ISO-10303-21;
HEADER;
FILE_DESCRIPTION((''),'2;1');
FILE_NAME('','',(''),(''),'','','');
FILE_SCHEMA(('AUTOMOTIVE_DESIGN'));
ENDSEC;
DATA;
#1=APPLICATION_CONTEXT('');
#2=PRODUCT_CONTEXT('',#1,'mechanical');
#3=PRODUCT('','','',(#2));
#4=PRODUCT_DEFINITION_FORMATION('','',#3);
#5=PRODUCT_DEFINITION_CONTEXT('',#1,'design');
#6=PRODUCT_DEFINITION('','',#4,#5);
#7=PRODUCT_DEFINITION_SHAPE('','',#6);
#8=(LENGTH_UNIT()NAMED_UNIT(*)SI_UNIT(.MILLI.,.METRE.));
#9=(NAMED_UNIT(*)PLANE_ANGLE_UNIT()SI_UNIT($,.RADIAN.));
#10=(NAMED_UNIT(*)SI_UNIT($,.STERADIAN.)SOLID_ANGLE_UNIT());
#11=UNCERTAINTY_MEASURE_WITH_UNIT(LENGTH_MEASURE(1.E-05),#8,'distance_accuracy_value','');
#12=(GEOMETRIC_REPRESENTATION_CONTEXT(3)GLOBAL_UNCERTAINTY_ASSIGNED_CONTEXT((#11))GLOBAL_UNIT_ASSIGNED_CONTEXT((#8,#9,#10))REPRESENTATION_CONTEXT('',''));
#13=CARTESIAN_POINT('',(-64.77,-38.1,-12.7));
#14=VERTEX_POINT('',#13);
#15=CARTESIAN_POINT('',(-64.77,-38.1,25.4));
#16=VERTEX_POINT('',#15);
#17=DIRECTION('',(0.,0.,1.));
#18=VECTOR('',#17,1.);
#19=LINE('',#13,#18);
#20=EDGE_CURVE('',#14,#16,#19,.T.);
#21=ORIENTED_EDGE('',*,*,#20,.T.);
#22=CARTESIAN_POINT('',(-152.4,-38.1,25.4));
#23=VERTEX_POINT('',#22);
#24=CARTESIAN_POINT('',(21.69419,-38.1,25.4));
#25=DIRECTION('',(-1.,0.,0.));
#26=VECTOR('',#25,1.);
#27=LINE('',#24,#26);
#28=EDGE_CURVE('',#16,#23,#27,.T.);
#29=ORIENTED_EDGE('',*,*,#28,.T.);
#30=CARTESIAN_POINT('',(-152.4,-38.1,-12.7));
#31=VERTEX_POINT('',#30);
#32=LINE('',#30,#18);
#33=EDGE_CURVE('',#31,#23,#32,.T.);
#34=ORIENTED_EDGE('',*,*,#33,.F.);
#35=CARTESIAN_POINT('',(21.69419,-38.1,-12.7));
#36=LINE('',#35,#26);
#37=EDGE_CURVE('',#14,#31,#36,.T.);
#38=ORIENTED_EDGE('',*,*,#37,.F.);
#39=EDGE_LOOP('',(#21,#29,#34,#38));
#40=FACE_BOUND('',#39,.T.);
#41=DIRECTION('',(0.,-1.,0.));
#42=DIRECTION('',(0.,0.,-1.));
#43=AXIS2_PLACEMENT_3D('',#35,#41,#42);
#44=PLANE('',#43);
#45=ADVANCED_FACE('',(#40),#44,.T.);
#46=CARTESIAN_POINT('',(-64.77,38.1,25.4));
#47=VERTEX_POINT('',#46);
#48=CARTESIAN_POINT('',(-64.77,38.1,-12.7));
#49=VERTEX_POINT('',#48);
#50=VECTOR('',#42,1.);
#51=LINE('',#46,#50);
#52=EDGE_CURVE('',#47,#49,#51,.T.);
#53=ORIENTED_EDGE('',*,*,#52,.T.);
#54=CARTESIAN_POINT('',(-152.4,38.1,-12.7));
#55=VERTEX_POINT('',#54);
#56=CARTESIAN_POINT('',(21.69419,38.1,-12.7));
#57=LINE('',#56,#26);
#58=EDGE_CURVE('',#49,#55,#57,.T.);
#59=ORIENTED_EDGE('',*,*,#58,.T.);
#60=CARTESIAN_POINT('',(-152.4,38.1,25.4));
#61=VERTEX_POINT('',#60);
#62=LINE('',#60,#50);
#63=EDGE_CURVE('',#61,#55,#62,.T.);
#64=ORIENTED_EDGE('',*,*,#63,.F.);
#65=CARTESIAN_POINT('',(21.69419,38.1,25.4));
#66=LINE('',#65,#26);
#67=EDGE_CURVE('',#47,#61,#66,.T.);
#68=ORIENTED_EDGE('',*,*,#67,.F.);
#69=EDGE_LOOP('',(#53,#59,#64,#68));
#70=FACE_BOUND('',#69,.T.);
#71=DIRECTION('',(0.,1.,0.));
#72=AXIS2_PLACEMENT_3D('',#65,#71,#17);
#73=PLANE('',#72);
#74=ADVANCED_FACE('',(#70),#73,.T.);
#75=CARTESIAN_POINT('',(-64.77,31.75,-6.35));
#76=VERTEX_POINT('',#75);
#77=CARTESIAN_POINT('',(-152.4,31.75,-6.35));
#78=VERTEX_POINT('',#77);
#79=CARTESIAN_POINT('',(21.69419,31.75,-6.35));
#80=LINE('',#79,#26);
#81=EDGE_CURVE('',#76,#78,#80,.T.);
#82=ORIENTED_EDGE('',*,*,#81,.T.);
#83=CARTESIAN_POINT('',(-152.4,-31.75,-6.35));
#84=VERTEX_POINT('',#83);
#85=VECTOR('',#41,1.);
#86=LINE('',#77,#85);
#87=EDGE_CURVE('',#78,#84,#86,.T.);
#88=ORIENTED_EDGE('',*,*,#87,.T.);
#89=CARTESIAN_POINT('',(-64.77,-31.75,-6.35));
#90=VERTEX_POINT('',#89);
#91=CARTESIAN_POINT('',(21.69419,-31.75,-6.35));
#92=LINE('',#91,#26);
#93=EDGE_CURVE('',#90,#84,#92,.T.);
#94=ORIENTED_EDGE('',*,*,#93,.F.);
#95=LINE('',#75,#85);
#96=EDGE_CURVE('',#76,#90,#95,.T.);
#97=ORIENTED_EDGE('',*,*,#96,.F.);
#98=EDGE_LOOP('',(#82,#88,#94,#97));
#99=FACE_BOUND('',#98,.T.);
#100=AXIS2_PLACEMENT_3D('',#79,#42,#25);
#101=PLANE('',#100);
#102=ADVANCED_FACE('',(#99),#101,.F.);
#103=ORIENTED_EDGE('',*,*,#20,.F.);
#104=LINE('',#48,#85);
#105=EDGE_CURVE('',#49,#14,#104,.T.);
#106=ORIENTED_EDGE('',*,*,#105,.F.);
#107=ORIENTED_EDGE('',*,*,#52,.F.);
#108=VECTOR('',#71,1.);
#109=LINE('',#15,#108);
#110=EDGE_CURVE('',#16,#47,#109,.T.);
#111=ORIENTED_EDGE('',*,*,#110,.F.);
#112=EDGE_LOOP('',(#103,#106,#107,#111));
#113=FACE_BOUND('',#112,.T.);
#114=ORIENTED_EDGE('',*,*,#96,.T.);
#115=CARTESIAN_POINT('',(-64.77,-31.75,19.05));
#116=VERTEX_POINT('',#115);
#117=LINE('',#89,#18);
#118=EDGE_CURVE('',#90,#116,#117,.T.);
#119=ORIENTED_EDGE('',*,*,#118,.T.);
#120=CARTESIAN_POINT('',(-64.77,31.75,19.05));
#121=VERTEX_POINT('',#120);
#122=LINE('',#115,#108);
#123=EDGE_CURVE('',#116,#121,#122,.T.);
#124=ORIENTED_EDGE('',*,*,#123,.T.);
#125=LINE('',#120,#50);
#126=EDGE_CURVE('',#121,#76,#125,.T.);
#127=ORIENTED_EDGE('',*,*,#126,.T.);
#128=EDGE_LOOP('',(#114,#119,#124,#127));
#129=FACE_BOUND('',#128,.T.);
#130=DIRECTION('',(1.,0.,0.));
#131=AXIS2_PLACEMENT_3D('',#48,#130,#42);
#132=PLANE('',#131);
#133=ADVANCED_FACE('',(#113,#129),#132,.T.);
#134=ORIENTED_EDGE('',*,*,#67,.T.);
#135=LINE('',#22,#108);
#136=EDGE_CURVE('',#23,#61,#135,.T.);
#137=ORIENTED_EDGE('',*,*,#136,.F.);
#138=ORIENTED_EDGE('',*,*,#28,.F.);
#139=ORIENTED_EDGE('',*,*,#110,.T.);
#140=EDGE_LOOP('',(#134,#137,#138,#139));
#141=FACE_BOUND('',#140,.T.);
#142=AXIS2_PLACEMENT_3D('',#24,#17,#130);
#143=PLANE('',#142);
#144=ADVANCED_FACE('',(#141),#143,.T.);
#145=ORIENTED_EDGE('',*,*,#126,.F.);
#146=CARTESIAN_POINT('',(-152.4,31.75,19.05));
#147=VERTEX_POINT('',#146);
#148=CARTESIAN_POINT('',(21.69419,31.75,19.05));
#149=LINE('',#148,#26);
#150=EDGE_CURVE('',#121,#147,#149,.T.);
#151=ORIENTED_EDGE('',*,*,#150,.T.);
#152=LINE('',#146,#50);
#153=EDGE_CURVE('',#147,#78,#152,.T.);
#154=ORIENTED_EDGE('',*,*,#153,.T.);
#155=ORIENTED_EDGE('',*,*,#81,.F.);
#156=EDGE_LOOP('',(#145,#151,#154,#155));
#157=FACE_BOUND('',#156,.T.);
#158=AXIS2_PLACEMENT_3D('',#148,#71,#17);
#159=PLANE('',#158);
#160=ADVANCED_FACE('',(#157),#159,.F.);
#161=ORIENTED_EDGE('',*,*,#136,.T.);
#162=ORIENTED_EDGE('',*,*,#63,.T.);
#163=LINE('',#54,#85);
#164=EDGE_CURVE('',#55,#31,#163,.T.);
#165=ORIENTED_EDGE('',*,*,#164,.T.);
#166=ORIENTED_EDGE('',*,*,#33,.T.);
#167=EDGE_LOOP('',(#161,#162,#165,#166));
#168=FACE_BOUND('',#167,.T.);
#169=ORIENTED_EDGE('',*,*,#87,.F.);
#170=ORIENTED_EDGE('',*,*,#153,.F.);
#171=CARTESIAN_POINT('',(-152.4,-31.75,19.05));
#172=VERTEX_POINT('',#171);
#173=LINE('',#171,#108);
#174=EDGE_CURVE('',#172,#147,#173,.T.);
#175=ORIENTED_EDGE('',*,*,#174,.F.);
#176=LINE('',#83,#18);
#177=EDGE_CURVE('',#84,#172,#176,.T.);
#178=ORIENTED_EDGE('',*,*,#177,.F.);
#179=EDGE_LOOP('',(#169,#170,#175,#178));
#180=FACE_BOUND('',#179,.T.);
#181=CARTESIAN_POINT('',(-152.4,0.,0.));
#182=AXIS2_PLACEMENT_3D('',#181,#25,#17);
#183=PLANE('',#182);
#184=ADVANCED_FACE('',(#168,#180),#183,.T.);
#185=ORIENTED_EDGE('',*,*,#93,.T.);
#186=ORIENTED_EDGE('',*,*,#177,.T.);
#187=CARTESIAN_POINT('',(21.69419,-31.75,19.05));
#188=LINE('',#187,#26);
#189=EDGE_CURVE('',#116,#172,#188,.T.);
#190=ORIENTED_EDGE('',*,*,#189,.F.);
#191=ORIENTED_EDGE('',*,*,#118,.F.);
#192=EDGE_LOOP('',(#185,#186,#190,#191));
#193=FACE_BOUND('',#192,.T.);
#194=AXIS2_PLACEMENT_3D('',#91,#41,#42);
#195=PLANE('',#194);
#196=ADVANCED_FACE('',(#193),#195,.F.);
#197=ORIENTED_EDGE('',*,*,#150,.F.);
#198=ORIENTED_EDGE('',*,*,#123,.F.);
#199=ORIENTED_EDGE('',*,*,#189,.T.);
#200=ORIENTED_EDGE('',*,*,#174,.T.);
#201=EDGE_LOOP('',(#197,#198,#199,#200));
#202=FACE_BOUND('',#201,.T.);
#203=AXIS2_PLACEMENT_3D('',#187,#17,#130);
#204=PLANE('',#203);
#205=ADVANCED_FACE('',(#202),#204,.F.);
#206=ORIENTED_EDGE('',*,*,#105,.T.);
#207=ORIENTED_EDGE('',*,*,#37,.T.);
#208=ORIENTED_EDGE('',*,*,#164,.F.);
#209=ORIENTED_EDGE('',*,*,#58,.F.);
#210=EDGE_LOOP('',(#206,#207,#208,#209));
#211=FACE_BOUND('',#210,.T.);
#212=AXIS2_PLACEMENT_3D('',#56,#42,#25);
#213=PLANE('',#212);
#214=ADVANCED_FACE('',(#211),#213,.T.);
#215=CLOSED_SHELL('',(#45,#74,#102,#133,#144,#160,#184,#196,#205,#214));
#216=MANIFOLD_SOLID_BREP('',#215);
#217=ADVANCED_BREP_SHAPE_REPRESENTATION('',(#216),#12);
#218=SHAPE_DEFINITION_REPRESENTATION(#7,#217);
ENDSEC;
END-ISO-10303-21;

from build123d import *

# Parameters (mm, degrees)
SKETCH4_W           = 38.1
SKETCH4_H           = 76.2
SKETCH4_W_2         = 25.4
SKETCH4_H_2         = 63.5
BOSS_EXTRUDE1_DEPTH = 87.63


with BuildPart() as part:
    # Sketch4 → Boss-Extrude1 (new body)
    with BuildSketch(Plane.ZY.offset(152.4)):
        with Locations((6.35, 0)):
            Rectangle(SKETCH4_W, SKETCH4_H)
        with Locations((6.35, 0)):
            Rectangle(SKETCH4_W_2, SKETCH4_H_2, mode=Mode.SUBTRACT)
    extrude(amount=-BOSS_EXTRUDE1_DEPTH)


solid = part.part
